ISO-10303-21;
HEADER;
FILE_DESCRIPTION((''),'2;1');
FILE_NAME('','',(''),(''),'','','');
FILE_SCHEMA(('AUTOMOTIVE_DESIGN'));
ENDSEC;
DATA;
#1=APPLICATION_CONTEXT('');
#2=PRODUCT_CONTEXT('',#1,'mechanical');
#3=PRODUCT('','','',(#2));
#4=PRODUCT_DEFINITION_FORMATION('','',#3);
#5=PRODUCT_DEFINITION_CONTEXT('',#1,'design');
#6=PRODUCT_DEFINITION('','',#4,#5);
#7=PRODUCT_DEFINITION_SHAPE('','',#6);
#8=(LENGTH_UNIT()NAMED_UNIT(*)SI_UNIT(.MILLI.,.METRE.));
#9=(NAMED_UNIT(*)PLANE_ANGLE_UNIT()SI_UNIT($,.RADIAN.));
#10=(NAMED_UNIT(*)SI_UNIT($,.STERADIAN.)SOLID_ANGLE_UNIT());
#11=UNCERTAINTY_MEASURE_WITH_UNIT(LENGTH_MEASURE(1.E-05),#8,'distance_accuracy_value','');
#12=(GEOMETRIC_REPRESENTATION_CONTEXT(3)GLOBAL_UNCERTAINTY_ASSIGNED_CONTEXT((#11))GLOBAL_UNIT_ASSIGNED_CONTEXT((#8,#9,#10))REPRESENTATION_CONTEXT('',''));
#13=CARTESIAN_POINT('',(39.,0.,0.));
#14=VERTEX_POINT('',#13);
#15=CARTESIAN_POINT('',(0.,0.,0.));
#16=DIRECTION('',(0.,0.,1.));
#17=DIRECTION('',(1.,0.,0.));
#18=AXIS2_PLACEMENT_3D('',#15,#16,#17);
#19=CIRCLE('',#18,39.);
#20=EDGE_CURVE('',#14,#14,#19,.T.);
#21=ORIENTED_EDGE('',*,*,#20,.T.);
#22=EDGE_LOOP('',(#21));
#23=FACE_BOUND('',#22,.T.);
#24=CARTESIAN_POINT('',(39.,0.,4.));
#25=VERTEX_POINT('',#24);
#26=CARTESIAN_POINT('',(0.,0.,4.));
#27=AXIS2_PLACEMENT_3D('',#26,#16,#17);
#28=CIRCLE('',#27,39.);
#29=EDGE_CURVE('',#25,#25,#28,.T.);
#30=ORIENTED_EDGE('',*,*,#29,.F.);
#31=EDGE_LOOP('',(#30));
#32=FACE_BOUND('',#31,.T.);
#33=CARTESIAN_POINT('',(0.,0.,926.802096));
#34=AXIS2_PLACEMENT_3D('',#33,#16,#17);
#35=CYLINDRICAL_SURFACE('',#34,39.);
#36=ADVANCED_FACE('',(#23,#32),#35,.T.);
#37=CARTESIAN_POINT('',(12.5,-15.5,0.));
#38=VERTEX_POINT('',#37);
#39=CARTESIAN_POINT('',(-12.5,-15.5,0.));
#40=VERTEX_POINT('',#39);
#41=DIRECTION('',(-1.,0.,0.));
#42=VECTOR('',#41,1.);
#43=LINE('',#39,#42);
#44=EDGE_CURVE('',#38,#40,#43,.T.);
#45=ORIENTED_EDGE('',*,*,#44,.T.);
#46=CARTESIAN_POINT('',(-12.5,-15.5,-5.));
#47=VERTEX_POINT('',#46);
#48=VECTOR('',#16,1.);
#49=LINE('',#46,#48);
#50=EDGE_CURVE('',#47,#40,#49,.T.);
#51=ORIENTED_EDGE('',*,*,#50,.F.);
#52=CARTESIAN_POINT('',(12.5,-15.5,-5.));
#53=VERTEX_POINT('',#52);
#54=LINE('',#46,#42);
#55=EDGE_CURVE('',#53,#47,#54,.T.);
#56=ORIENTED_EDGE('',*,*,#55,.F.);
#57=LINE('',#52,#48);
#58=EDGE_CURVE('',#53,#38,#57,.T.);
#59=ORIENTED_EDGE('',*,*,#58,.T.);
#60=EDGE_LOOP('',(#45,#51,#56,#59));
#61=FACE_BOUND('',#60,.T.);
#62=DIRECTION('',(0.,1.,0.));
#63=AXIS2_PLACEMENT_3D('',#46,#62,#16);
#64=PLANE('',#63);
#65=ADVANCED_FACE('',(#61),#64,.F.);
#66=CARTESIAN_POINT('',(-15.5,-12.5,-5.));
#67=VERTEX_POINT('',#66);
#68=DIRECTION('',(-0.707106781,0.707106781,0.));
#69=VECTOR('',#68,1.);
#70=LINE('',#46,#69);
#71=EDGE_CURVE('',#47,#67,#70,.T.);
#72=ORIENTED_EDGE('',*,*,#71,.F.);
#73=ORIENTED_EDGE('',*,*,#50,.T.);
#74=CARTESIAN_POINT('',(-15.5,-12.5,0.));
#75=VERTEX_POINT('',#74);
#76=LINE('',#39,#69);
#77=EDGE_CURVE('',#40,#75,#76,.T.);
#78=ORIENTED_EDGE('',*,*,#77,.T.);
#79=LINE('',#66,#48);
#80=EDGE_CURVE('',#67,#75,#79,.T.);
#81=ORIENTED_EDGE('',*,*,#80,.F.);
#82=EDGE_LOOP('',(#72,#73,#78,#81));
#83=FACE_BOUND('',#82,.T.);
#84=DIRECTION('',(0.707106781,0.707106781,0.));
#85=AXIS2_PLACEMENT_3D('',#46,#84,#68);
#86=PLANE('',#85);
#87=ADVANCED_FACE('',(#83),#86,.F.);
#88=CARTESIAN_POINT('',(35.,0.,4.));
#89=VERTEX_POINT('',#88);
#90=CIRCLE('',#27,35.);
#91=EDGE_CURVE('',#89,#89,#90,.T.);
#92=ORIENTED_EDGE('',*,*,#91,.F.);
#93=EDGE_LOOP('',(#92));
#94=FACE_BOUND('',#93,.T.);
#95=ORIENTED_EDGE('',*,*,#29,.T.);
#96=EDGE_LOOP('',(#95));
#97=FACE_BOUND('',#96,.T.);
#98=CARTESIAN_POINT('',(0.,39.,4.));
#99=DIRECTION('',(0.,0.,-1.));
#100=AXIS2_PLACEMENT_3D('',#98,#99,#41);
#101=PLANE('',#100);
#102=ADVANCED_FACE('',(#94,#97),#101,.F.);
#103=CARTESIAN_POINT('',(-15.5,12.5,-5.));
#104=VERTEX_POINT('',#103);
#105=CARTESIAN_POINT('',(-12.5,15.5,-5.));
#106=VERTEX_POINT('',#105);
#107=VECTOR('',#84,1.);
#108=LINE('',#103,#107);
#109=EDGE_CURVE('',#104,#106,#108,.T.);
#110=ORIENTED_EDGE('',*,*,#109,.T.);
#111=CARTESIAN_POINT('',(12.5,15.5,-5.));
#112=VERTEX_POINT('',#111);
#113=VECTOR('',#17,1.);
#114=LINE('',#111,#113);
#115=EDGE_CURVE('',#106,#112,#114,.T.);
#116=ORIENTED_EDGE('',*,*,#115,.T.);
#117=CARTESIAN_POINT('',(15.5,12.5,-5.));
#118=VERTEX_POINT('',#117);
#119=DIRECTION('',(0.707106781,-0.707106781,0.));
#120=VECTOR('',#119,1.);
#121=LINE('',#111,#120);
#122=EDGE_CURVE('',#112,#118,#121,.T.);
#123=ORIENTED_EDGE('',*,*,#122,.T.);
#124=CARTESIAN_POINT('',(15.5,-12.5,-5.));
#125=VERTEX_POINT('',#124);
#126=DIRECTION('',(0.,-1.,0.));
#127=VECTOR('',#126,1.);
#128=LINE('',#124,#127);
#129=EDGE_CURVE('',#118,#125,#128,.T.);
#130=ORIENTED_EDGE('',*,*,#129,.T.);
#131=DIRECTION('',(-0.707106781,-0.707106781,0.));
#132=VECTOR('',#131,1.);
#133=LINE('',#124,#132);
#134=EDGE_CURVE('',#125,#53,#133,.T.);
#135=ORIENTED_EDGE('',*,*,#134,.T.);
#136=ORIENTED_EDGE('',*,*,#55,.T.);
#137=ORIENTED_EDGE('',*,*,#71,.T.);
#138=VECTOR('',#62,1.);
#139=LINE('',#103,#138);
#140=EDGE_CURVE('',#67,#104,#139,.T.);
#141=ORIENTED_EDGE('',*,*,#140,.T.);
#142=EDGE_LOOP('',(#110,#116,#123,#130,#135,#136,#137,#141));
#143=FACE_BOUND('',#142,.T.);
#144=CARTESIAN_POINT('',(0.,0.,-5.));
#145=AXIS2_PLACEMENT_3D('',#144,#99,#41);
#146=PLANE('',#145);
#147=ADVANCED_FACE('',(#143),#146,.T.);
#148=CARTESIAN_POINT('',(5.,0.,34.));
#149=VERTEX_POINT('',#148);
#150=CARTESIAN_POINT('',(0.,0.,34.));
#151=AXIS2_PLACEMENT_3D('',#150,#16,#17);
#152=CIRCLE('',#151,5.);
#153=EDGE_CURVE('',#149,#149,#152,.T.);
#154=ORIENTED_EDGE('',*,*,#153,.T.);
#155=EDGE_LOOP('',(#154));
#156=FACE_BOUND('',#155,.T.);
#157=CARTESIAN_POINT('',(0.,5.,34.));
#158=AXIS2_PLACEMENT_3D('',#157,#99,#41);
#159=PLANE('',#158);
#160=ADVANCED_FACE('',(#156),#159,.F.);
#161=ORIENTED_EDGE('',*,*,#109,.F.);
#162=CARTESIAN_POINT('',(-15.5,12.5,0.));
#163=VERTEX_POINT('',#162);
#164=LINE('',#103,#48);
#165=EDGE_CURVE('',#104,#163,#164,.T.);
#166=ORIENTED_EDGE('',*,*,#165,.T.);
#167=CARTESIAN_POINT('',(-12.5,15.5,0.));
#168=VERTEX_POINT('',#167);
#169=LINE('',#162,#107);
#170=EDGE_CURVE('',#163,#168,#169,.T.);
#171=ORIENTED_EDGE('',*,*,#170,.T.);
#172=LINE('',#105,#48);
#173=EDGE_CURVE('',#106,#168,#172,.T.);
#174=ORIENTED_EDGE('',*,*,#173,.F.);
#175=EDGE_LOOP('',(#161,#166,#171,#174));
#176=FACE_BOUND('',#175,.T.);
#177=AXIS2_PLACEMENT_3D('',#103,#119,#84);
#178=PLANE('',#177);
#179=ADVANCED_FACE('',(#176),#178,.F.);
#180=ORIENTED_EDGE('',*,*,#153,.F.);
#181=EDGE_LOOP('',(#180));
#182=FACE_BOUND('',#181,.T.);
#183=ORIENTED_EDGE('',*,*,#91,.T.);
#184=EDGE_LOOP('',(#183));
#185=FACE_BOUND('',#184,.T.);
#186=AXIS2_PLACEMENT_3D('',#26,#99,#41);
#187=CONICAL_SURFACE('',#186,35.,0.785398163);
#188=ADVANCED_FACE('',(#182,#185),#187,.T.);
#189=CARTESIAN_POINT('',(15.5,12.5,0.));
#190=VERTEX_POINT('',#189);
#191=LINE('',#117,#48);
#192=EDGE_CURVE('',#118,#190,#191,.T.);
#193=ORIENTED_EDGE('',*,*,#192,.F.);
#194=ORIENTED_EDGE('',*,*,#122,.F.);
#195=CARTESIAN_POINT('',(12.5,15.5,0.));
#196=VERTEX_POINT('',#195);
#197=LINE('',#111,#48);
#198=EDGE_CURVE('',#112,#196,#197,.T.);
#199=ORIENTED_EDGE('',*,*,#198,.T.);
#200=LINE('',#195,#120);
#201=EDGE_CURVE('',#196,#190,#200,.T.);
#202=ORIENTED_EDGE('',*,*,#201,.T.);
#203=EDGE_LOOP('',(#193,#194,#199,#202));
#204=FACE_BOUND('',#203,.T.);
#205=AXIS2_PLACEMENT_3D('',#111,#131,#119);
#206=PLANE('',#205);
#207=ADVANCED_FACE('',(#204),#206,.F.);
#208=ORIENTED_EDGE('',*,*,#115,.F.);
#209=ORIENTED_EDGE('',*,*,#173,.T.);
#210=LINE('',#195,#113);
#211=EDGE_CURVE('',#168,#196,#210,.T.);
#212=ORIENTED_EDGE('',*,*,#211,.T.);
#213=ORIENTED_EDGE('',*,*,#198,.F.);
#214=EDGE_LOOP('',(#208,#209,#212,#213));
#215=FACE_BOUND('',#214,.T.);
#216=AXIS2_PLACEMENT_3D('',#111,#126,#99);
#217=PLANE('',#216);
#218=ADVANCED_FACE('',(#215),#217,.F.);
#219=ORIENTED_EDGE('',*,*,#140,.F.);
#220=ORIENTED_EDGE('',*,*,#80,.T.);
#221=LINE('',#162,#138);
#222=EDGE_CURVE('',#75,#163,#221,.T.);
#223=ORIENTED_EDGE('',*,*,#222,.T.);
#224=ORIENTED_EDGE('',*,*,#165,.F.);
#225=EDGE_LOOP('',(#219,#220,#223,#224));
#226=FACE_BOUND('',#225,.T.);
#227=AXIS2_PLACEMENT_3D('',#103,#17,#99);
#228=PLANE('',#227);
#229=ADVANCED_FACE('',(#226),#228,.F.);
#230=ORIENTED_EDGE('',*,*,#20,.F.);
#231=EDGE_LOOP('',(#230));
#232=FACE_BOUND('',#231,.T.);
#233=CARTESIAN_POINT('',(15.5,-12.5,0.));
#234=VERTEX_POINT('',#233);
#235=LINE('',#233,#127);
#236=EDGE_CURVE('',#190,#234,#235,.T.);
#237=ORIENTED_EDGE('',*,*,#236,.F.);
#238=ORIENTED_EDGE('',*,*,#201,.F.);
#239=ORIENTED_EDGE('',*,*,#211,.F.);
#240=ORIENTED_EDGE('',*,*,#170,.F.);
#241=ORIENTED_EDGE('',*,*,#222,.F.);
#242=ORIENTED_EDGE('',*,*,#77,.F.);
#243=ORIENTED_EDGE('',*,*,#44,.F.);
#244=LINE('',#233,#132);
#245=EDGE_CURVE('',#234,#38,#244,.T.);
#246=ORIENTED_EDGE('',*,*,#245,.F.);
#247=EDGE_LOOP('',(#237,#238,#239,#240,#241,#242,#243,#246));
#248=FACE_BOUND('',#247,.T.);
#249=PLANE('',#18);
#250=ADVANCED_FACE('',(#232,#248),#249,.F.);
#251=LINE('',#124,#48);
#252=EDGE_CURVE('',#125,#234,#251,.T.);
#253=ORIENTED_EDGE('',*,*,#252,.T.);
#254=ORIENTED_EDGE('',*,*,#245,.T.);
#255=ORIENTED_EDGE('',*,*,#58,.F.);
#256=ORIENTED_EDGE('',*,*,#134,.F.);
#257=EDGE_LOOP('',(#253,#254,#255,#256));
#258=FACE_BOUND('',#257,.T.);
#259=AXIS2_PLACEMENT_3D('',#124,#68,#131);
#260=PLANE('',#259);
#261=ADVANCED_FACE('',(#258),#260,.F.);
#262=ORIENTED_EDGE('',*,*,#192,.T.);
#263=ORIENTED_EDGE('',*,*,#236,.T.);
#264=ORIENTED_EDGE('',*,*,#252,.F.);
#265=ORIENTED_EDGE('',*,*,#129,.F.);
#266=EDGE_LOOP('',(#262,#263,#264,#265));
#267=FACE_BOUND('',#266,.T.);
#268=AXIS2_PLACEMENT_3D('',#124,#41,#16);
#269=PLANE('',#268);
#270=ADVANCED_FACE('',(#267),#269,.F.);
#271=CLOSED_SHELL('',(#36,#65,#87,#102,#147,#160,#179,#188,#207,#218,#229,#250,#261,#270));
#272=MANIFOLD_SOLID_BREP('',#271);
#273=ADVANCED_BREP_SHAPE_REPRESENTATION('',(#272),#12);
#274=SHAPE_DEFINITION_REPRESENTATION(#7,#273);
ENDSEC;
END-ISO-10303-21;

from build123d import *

# Parameters (mm, degrees)
EXTRUDE_1_DEPTH = 5


with BuildPart() as part:
    # Эскиз1 → Повернуть1 (revolve)
    with BuildSketch(Plane(origin=(0, 0, 0), x_dir=(0, 0, -1), z_dir=(1, 0, 0))):
        Polygon((0, 0), (0, 39), (-4, 39), (-4, 35), (-34, 5), (-34, 0), align=None)
    revolve(axis=Axis((0, 0, 926.802095793), (0, 0, -1)))

    # Эскиз2 → Бобышка-Вытянуть1 (add)
    with BuildSketch(Plane(origin=(0, 0, 0), x_dir=(-1, 0, 0), z_dir=(0, 0, -1))):
        Polygon((12.5, -15.5), (-12.5, -15.5), (-15.5, -12.5), (-15.5, 12.5), (-12.5, 15.5), (12.5, 15.5), (15.5, 12.5), (15.5, -12.5), align=None)
    extrude(amount=EXTRUDE_1_DEPTH)


solid = part.part
